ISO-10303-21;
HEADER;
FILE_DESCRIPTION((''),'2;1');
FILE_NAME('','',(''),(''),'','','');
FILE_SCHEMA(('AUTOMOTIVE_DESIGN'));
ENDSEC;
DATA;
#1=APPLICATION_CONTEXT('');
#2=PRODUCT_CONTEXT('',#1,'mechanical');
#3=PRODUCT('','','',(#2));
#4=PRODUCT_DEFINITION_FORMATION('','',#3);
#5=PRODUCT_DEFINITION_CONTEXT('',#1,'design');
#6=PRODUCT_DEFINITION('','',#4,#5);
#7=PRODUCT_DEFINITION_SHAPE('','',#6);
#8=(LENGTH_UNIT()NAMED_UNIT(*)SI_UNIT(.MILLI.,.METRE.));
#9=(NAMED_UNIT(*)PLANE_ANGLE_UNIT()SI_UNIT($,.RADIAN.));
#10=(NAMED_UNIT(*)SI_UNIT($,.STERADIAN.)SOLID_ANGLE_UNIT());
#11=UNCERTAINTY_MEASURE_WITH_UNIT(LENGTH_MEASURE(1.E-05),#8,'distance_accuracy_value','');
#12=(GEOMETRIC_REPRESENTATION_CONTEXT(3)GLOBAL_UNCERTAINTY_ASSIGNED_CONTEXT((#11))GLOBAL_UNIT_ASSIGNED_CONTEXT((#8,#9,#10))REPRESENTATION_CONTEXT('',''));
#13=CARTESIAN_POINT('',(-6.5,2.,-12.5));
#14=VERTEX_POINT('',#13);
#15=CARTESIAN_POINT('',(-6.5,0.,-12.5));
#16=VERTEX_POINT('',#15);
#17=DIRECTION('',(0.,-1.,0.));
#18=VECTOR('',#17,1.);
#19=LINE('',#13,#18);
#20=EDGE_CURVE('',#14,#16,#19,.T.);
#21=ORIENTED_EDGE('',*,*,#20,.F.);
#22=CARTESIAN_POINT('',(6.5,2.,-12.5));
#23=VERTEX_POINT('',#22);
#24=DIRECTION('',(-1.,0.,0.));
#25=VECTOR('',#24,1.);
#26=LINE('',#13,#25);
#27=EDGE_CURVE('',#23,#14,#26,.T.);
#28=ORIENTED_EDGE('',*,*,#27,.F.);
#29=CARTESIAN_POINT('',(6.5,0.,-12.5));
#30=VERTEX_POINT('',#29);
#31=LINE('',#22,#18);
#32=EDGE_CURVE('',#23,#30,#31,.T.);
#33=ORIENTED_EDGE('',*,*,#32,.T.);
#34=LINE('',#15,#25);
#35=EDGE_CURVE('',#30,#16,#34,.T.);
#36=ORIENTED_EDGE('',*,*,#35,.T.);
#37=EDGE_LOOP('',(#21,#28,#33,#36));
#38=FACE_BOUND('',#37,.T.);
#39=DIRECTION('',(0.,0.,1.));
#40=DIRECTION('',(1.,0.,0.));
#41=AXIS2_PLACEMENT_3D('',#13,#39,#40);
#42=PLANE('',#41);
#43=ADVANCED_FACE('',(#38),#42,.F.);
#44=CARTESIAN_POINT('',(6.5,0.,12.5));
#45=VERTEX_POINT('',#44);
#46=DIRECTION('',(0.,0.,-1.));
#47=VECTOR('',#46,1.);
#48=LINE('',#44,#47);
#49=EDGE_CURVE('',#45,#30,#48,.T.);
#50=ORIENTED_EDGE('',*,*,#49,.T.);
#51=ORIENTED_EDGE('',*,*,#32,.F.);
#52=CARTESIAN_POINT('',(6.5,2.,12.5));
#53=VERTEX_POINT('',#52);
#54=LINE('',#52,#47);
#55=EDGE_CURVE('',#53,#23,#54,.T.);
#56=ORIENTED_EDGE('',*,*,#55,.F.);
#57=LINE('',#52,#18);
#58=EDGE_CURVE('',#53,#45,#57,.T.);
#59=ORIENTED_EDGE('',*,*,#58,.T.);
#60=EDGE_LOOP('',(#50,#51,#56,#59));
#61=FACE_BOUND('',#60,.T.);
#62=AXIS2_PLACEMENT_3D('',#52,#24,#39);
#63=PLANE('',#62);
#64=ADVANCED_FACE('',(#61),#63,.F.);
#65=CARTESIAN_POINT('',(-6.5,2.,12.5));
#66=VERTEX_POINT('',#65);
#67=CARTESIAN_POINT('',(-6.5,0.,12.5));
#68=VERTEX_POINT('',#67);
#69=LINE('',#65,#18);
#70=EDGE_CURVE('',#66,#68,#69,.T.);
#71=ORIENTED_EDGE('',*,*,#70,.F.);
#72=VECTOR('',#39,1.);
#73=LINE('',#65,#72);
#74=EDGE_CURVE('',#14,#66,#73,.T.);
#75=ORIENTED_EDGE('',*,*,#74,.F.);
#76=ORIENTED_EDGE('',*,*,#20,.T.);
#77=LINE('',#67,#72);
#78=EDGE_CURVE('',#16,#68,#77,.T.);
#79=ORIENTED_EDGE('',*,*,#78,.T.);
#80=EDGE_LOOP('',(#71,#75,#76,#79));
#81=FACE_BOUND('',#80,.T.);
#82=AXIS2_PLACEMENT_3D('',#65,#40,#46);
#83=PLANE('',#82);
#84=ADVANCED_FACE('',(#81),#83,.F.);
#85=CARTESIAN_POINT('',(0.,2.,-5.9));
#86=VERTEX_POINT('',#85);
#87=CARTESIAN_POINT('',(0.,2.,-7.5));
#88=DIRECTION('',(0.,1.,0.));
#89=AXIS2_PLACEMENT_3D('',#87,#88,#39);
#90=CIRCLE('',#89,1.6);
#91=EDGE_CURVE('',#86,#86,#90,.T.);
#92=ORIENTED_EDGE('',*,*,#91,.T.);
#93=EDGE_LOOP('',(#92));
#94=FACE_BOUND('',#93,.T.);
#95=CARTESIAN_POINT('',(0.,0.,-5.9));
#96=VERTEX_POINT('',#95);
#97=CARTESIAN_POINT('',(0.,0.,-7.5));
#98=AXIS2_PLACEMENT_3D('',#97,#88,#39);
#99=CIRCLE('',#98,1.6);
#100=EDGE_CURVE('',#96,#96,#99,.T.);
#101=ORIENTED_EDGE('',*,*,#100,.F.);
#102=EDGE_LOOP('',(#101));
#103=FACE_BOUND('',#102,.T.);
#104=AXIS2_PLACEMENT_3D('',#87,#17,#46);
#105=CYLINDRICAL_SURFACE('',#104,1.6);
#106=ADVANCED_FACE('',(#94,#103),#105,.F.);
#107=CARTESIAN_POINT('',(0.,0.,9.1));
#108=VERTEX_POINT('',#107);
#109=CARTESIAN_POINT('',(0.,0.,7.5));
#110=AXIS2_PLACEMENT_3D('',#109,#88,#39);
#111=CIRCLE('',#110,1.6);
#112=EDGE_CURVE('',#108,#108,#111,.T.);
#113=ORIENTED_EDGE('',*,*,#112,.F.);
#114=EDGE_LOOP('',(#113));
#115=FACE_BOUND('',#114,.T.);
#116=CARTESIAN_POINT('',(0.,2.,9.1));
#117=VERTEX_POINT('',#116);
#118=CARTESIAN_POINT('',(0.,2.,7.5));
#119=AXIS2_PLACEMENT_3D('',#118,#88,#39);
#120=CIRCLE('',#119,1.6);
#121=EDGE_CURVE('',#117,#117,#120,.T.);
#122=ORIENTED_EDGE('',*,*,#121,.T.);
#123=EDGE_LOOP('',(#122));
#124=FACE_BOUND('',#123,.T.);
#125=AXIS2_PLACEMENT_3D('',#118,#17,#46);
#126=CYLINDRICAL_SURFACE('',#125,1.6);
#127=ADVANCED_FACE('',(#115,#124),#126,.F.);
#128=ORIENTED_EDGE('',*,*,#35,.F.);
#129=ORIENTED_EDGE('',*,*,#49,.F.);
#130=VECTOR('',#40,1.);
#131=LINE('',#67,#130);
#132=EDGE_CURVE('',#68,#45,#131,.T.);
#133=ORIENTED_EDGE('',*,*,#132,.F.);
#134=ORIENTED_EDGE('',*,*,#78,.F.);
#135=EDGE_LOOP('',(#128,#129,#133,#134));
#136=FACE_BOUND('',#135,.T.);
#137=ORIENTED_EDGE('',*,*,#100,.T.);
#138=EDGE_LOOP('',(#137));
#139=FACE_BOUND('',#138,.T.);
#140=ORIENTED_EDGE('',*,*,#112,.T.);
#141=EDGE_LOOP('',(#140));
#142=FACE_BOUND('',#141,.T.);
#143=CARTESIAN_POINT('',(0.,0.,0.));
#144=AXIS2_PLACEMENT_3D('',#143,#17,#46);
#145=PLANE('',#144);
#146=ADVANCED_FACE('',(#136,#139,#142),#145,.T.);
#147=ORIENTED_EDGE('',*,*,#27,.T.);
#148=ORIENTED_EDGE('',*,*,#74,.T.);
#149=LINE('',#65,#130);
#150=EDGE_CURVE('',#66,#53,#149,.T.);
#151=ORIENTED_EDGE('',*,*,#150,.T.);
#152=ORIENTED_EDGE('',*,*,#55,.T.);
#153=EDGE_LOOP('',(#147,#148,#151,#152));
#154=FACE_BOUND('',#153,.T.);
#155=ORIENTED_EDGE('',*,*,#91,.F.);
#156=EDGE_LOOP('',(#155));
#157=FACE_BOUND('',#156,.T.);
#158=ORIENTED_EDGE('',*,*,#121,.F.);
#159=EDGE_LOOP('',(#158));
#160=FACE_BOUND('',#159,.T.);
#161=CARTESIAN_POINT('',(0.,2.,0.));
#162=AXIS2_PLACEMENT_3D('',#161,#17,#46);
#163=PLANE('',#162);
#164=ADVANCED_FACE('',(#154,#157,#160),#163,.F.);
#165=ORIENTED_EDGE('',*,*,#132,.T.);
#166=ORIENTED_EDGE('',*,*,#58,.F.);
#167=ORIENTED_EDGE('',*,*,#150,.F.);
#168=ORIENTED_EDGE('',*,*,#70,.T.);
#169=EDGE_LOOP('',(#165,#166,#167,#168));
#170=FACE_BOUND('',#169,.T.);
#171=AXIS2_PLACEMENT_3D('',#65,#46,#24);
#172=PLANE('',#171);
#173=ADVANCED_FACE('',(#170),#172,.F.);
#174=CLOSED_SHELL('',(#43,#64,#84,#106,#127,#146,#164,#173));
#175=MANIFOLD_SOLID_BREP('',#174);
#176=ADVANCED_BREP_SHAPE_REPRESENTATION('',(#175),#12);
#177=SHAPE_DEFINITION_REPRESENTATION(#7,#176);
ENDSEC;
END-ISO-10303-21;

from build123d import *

# Parameters (mm, degrees)
SKETCH1_W           = 13
SKETCH1_H           = 25
SKETCH1_R           = 1.6
BOSS_EXTRUDE1_DEPTH = 2


with BuildPart() as part:
    # Sketch1 → Boss-Extrude1 (new body)
    with BuildSketch(Plane(origin=(0, 0, 0), x_dir=(1, 0, 0), z_dir=(0, 1, 0))):
        Rectangle(SKETCH1_W, SKETCH1_H)
        with Locations((0, 7.5)):
            Circle(SKETCH1_R, mode=Mode.SUBTRACT)
        with Locations((0, -7.5)):
            Circle(SKETCH1_R, mode=Mode.SUBTRACT)
    extrude(amount=BOSS_EXTRUDE1_DEPTH)


solid = part.part
